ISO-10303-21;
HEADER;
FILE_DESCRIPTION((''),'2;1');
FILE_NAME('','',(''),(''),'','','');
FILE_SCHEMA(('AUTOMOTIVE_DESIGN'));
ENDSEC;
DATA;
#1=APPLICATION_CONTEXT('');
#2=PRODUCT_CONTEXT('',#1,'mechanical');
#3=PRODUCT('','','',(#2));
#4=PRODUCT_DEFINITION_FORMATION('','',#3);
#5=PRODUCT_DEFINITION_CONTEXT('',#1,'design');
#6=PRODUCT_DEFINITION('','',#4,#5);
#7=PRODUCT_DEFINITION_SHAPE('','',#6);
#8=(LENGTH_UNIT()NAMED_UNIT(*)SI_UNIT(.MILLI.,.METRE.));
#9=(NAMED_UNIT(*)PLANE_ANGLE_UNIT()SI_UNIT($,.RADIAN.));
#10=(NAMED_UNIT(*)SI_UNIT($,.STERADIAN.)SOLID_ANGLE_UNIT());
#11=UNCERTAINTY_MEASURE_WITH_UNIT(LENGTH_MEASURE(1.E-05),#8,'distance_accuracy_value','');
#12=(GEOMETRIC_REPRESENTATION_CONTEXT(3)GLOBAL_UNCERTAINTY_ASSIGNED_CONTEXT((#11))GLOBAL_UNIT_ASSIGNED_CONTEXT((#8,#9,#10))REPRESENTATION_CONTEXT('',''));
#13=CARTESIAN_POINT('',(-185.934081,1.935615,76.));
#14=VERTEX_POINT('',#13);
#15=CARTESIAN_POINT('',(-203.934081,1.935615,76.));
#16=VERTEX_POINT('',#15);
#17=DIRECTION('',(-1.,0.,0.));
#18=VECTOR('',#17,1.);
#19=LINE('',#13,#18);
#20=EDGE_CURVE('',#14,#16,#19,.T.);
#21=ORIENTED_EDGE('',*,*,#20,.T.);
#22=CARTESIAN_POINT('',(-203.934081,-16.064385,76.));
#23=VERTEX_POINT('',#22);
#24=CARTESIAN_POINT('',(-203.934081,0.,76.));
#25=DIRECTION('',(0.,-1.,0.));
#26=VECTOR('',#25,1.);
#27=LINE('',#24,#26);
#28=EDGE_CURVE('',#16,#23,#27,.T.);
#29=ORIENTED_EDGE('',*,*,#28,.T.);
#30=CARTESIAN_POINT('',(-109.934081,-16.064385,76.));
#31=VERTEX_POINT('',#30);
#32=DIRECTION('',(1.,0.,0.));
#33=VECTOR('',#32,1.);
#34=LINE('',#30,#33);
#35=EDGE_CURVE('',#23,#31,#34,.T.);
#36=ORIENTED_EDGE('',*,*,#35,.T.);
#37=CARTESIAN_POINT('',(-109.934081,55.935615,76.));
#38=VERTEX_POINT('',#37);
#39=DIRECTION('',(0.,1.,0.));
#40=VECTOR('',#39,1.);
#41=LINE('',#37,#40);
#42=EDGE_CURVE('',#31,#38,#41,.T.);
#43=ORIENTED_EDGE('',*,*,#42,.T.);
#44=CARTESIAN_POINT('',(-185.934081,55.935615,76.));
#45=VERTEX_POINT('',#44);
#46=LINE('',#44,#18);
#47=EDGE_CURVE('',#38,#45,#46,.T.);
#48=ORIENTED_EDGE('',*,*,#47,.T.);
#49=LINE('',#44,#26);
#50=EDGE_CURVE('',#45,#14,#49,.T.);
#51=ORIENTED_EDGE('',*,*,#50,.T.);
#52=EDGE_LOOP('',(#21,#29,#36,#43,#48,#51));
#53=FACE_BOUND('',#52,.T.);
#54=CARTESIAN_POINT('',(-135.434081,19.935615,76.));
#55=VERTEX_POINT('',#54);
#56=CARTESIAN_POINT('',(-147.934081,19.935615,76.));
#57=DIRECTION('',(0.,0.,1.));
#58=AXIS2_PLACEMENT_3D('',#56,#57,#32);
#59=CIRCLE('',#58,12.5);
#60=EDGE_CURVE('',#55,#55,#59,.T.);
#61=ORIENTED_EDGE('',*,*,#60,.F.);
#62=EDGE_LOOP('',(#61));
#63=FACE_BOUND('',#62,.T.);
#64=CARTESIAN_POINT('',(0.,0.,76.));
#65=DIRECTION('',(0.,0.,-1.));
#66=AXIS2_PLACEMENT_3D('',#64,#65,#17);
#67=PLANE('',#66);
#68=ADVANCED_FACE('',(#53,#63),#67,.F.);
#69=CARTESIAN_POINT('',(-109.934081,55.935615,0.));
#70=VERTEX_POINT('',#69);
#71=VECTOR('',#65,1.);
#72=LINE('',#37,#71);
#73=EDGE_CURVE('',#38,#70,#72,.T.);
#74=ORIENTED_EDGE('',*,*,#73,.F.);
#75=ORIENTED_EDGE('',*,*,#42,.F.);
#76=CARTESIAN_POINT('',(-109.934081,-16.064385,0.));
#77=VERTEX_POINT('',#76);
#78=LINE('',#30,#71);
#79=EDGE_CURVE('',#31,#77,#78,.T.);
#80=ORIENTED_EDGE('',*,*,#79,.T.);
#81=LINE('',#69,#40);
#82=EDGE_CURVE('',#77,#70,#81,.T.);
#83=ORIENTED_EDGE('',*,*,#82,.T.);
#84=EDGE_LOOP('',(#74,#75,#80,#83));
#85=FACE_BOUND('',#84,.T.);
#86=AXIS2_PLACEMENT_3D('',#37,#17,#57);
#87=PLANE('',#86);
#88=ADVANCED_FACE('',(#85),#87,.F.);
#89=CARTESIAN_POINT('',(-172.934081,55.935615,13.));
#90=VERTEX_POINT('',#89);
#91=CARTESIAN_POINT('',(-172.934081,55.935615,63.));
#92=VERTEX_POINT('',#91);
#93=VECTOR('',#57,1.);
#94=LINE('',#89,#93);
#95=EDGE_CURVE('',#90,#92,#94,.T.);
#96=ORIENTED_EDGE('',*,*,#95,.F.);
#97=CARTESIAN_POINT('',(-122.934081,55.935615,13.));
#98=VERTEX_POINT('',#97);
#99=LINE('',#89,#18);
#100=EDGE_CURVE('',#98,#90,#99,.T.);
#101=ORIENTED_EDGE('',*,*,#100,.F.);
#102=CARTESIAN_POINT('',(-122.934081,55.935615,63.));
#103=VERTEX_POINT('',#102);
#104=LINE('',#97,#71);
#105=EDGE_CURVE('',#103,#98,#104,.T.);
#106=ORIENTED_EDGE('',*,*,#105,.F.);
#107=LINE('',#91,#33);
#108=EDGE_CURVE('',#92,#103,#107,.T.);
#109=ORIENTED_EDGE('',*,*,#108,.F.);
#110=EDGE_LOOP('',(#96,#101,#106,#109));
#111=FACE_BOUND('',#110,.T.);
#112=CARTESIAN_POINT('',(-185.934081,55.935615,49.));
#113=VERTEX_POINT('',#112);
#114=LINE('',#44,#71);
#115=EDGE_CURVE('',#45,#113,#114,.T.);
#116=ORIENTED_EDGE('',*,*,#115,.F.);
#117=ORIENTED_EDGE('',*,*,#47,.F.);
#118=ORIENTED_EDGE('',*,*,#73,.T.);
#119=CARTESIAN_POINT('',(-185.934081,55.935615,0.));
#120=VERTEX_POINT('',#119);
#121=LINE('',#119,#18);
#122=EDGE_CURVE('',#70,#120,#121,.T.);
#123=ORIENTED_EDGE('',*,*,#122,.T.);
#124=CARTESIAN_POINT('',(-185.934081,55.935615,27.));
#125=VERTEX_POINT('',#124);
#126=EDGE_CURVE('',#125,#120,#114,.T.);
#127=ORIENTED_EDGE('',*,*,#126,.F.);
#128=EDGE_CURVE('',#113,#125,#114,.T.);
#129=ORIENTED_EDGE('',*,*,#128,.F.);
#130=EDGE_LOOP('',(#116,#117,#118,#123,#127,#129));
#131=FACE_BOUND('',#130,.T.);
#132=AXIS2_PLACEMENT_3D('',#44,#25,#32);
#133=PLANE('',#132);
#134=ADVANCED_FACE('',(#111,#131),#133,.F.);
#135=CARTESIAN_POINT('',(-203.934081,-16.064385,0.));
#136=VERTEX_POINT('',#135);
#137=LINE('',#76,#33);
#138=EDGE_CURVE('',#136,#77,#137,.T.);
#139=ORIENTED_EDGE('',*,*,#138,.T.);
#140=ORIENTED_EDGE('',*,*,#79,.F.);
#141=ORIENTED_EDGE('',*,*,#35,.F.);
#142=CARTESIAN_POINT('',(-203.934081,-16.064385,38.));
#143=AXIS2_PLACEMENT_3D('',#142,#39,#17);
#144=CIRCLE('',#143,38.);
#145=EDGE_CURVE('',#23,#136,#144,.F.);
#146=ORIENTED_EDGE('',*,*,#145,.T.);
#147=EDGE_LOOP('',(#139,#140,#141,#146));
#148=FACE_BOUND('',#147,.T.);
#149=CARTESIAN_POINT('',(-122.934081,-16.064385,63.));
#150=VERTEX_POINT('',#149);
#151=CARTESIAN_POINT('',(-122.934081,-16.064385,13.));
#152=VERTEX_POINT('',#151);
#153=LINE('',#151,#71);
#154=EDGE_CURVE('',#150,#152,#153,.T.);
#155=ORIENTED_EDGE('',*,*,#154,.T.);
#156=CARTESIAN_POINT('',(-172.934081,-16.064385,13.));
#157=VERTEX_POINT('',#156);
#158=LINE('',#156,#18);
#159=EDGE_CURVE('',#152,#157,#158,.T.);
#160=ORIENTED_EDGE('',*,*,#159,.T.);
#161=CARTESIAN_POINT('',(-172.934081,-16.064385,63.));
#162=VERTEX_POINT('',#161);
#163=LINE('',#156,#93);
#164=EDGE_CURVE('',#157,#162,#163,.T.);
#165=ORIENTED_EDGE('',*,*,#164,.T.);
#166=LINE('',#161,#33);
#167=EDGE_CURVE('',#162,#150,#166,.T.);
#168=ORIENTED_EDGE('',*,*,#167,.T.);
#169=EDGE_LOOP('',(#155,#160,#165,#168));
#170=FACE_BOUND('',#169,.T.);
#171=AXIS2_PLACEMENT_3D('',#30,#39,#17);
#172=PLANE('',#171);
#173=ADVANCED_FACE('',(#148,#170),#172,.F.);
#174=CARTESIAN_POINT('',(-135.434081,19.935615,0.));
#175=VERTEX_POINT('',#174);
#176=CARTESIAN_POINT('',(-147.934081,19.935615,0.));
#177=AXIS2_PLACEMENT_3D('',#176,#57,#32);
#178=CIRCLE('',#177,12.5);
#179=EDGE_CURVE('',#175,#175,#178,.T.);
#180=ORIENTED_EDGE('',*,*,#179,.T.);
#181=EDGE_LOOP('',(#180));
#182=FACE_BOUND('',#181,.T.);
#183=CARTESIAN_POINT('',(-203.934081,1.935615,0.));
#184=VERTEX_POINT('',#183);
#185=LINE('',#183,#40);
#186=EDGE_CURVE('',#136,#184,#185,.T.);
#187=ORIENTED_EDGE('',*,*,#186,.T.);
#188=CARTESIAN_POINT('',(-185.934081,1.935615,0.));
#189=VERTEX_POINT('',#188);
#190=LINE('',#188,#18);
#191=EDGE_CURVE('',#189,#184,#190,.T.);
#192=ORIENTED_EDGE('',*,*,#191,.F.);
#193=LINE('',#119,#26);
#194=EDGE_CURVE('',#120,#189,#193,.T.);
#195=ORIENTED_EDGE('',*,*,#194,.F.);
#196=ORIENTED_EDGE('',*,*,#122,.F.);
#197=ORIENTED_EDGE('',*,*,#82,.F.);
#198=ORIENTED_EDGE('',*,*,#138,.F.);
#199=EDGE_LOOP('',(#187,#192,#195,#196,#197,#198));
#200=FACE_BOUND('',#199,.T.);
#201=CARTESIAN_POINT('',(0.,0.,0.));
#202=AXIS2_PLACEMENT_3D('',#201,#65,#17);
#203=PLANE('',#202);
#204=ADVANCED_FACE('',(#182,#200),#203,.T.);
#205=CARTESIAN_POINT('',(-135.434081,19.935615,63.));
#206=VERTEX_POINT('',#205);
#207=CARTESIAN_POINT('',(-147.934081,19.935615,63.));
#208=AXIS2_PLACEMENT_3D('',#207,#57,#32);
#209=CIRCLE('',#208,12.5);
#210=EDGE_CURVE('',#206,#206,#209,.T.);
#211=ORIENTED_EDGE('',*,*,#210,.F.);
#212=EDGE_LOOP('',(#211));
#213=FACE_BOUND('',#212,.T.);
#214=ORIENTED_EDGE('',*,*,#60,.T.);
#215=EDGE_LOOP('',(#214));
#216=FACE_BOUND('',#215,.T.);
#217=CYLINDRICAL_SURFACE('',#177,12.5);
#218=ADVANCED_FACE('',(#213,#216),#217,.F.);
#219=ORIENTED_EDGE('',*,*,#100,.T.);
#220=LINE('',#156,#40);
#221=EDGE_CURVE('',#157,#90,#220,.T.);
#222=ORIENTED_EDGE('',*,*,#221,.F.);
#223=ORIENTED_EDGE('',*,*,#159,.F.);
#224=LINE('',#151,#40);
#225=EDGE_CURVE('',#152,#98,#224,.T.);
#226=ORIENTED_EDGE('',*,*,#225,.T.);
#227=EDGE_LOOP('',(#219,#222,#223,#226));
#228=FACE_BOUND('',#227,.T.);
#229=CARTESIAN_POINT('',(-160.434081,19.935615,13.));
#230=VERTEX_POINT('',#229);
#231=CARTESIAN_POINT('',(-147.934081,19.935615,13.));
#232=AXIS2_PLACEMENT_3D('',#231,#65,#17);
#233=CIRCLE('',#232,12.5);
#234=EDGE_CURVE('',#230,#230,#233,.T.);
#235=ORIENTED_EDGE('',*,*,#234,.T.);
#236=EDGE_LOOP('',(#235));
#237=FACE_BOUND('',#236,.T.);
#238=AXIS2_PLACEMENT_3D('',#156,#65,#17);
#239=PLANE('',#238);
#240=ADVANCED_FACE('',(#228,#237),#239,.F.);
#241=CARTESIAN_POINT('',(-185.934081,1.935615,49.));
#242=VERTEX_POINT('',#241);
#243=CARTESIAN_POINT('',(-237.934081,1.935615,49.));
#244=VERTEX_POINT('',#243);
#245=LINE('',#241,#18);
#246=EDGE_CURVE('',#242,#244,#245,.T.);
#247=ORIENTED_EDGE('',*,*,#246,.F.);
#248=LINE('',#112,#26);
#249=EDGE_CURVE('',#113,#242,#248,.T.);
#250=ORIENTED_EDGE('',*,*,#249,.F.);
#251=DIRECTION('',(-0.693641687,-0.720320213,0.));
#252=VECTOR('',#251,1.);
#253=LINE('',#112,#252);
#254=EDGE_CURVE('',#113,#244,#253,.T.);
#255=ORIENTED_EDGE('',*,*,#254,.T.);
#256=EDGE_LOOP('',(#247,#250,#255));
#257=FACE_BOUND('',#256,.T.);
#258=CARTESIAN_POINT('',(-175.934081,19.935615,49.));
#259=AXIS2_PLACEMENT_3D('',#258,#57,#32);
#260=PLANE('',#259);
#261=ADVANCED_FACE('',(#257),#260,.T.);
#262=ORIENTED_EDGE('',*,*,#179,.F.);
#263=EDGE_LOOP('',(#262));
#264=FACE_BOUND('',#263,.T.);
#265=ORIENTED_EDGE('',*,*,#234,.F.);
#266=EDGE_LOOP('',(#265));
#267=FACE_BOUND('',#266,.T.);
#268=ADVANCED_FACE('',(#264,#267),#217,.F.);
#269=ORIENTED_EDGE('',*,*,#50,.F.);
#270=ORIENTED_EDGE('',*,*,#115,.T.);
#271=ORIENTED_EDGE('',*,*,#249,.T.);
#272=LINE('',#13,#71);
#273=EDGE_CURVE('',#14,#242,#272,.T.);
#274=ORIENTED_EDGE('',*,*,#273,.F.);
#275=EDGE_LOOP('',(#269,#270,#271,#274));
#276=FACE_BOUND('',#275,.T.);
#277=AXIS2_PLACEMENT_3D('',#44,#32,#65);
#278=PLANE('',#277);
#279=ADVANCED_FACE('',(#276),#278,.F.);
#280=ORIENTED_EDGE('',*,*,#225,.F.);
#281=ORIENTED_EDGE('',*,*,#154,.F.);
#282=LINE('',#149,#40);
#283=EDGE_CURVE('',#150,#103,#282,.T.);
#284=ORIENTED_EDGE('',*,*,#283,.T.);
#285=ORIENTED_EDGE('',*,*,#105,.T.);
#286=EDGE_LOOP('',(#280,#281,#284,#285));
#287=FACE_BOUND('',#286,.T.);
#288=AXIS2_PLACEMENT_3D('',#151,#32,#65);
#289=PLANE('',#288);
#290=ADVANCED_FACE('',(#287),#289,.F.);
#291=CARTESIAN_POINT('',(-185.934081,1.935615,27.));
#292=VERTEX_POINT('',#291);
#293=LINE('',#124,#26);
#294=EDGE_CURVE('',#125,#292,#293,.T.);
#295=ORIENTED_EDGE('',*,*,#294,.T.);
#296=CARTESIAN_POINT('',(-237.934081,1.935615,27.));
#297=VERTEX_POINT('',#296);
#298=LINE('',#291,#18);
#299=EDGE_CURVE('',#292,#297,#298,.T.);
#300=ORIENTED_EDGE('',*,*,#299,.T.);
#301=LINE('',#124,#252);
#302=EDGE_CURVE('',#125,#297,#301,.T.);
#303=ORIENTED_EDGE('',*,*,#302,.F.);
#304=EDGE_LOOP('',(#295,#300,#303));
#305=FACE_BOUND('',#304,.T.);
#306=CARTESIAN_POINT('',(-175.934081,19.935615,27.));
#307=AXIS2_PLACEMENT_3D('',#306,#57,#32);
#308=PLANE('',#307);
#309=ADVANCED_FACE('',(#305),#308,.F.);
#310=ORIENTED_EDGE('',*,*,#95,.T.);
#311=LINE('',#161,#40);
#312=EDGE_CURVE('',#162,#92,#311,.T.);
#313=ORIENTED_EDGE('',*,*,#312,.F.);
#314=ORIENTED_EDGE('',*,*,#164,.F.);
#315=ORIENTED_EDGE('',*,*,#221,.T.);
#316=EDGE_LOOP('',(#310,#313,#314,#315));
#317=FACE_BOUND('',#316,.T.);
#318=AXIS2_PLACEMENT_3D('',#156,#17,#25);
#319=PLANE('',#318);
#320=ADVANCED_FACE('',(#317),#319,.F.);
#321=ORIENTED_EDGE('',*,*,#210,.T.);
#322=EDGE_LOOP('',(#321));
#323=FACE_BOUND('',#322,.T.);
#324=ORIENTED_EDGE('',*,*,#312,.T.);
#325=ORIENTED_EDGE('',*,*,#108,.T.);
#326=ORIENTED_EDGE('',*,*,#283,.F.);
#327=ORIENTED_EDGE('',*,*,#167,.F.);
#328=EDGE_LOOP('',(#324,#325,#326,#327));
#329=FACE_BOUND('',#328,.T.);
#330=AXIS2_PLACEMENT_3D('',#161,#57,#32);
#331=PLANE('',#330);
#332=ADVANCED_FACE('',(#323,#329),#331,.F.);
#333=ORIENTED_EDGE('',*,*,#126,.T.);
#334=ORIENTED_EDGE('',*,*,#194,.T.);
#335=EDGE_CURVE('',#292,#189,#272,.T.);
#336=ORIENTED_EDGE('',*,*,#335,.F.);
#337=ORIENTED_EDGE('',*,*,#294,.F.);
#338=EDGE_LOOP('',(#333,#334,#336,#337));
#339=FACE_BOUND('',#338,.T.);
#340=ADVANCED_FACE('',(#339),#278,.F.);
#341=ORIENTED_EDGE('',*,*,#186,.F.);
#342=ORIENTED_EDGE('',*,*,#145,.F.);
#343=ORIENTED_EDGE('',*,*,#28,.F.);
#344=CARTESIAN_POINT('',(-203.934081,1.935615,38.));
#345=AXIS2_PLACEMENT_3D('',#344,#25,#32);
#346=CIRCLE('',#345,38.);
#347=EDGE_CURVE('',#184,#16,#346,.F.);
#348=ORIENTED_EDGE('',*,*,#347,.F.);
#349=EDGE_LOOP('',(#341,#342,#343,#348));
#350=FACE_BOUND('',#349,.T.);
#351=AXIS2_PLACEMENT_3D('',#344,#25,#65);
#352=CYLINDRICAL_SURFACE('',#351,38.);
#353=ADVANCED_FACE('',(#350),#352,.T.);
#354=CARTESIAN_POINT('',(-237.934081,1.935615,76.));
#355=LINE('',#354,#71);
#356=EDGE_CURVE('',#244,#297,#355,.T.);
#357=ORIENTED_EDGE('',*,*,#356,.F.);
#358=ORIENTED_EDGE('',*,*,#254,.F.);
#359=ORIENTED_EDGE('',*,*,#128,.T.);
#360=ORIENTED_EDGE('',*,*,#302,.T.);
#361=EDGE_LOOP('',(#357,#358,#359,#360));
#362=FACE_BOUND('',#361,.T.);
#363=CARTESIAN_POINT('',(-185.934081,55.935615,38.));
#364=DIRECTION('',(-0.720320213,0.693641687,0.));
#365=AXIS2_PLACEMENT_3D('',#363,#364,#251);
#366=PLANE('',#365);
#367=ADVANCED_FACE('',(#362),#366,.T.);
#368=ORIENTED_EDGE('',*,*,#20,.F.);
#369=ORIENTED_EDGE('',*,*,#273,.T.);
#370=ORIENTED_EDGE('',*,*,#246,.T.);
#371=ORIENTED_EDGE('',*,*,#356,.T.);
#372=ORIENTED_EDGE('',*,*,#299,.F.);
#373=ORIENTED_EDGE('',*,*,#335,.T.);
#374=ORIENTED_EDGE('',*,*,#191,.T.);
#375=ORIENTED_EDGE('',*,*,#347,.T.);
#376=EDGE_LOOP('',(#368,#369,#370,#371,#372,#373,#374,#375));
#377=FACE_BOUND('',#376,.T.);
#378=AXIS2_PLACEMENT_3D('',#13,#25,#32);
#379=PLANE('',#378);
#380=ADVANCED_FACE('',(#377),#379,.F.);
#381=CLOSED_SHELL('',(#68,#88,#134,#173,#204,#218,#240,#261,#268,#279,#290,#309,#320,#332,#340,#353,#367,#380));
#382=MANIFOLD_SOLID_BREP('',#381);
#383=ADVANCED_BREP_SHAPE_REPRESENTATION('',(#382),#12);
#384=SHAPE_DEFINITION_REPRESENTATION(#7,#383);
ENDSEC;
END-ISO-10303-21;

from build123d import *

# Parameters (mm, degrees)
Y_KSEKLIK_EKSTR_ZYON3_DEPTH = 76
IZIM9_W                     = 50
IZIM9_H                     = 50
KES_EKSTR_ZYON2_DEPTH       = 72
RADYUS2_RADIUS              = 38
RADYUS2_LENGTH              = 18
IZIM10_R                    = 12.5
KES_EKSTR_ZYON3_DEPTH       = 260.686142434
FEDER1_REACH                = 253.207
IZIM11_WALL_W               = 579.380403386
IZIM11_WALL_H               = 22


with BuildPart() as part:
    # Çizim8 → Yükseklik-Ekstrüzyon3 (new body)
    with BuildSketch(Plane.XY):
        Polygon((-185.934081036, 55.935614824), (-109.934081036, 55.935614824), (-109.934081036, -16.064385176), (-241.934081036, -16.064385176), (-241.934081036, 1.935614824), (-185.934081036, 1.935614824), align=None)
    extrude(amount=Y_KSEKLIK_EKSTR_ZYON3_DEPTH)

    # Çizim9 → Kes-Ekstrüzyon2 (cut)
    with BuildSketch(Plane(origin=(0, 55.935614824, 0), x_dir=(1, 0, 0), z_dir=(0, 1, 0))):
        with Locations((-147.934081036, -38)):
            Rectangle(IZIM9_W, IZIM9_H)
    extrude(amount=-KES_EKSTR_ZYON2_DEPTH, mode=Mode.SUBTRACT)

    # Radyus2: full round fillet: the end face becomes a half cylinder, R = half its width
    radyus2_face = Plane((-241.934081036, -7.064385176, 38), x_dir=(0, 1, 0), z_dir=(-1, 0, 0))  # on the end face: x along it, z out of the body
    radyus2_slab = radyus2_face.offset(-RADYUS2_RADIUS / 2) * Box(RADYUS2_LENGTH, 2 * RADYUS2_RADIUS, RADYUS2_RADIUS, mode=Mode.PRIVATE)  # the body's end, R deep
    radyus2_round = Plane((-203.934081036, -7.064385176, 38), x_dir=(-1, 0, 0), z_dir=(0, 1, 0)) * Cylinder(RADYUS2_RADIUS, RADYUS2_LENGTH, mode=Mode.PRIVATE)  # its axis R under the face
    add(radyus2_slab - radyus2_round, mode=Mode.SUBTRACT)

    # Çizim10 → Kes-Ekstrüzyon3 (cut, through all)
    with BuildSketch(Plane.XY.offset(76)):
        with Locations((-147.934081036, 19.935614824)):
            Circle(IZIM10_R)
    extrude(amount=-KES_EKSTR_ZYON3_DEPTH, mode=Mode.SUBTRACT)

    # Çizim11 wall → Feder1 (add, up to next)
    with BuildSketch(Plane(origin=(-211.934081036, 28.935614824, 38), x_dir=(-0.693641687066, -0.720320213491, 0), z_dir=(0.720320213491, -0.693641687066, 0)), mode=Mode.PRIVATE) as feder1_sk1:
        Rectangle(IZIM11_WALL_W, IZIM11_WALL_H)
    feder1_tool1 = extrude(feder1_sk1.sketch, amount=FEDER1_REACH, mode=Mode.PRIVATE) - part.part
    add(feder1_tool1.solids().sort_by_distance((-211.934081036, 28.935614824, 38))[0])


solid = part.part
